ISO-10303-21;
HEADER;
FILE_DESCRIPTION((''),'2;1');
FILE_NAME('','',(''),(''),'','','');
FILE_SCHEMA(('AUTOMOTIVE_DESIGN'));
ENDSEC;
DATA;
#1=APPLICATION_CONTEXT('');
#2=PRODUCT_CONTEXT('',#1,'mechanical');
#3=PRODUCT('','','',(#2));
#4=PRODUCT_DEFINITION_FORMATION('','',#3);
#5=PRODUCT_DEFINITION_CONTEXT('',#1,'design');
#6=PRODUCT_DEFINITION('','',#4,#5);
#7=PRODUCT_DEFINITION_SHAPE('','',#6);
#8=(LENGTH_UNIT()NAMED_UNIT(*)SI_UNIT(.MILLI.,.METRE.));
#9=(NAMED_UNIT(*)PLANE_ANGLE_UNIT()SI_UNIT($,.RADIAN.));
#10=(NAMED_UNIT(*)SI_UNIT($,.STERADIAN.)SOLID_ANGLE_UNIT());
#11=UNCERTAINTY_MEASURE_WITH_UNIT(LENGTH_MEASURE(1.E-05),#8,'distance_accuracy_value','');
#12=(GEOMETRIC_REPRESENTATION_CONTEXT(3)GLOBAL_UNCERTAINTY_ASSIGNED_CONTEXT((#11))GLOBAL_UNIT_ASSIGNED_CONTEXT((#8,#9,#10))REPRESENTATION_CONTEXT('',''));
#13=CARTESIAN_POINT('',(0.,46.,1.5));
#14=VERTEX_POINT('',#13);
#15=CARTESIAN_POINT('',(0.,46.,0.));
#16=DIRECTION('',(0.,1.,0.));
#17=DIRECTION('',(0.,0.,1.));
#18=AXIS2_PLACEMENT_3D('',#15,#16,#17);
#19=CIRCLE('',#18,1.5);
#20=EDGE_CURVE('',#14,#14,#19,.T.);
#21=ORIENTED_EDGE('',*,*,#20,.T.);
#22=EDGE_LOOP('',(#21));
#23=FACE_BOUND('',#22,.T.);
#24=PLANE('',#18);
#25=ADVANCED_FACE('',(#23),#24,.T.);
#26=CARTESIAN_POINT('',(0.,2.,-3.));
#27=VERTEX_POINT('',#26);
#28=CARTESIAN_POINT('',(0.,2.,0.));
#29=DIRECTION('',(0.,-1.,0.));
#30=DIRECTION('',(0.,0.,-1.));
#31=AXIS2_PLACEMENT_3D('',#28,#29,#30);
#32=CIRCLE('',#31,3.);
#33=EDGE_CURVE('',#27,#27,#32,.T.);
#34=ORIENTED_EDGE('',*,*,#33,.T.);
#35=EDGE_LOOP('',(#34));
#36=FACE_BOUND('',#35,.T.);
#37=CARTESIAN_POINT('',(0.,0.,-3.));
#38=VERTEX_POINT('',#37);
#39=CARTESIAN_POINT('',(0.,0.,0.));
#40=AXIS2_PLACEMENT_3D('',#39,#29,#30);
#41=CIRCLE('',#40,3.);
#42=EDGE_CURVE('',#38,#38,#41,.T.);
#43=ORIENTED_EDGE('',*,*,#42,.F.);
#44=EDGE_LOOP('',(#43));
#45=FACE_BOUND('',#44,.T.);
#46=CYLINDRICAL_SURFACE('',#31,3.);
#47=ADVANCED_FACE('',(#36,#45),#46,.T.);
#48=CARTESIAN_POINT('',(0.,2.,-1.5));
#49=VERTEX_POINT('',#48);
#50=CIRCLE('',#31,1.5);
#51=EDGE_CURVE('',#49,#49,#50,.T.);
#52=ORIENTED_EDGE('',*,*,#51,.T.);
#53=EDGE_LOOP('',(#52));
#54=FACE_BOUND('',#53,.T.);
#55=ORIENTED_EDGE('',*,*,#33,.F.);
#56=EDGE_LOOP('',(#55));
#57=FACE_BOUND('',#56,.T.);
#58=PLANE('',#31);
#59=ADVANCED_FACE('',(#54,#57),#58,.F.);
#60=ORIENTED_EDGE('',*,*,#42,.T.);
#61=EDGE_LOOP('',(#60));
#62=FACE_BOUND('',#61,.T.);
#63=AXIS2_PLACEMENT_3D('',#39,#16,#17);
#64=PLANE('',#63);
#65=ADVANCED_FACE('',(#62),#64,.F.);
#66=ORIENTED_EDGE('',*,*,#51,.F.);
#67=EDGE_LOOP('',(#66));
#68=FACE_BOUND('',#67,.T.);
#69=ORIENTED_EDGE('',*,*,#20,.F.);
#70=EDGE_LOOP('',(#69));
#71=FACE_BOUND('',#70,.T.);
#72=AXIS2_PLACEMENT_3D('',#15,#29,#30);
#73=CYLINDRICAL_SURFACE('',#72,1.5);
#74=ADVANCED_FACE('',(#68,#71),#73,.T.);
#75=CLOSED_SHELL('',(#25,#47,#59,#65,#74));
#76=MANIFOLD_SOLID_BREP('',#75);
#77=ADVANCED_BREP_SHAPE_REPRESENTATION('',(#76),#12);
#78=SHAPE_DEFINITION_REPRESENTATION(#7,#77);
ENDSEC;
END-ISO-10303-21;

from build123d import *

# Parameters (mm, degrees)
SKETCH1_R           = 1.5
BOSS_EXTRUDE1_DEPTH = 46
SKETCH2_R           = 3
BOSS_EXTRUDE2_DEPTH = 2


with BuildPart() as part:
    # Sketch1 → Boss-Extrude1 (new body)
    with BuildSketch(Plane(origin=(0, 0, 0), x_dir=(1, 0, 0), z_dir=(0, 1, 0))):
        with Locations(Location((0, 0, 0), (0, 0, 270))):
            Circle(SKETCH1_R)
    extrude(amount=BOSS_EXTRUDE1_DEPTH)

    # Sketch2 → Boss-Extrude2 (add)
    with BuildSketch(Plane.XZ):
        with Locations(Location((0, 0, 0), (0, 0, 270))):
            Circle(SKETCH2_R)
    extrude(amount=-BOSS_EXTRUDE2_DEPTH)


solid = part.part
